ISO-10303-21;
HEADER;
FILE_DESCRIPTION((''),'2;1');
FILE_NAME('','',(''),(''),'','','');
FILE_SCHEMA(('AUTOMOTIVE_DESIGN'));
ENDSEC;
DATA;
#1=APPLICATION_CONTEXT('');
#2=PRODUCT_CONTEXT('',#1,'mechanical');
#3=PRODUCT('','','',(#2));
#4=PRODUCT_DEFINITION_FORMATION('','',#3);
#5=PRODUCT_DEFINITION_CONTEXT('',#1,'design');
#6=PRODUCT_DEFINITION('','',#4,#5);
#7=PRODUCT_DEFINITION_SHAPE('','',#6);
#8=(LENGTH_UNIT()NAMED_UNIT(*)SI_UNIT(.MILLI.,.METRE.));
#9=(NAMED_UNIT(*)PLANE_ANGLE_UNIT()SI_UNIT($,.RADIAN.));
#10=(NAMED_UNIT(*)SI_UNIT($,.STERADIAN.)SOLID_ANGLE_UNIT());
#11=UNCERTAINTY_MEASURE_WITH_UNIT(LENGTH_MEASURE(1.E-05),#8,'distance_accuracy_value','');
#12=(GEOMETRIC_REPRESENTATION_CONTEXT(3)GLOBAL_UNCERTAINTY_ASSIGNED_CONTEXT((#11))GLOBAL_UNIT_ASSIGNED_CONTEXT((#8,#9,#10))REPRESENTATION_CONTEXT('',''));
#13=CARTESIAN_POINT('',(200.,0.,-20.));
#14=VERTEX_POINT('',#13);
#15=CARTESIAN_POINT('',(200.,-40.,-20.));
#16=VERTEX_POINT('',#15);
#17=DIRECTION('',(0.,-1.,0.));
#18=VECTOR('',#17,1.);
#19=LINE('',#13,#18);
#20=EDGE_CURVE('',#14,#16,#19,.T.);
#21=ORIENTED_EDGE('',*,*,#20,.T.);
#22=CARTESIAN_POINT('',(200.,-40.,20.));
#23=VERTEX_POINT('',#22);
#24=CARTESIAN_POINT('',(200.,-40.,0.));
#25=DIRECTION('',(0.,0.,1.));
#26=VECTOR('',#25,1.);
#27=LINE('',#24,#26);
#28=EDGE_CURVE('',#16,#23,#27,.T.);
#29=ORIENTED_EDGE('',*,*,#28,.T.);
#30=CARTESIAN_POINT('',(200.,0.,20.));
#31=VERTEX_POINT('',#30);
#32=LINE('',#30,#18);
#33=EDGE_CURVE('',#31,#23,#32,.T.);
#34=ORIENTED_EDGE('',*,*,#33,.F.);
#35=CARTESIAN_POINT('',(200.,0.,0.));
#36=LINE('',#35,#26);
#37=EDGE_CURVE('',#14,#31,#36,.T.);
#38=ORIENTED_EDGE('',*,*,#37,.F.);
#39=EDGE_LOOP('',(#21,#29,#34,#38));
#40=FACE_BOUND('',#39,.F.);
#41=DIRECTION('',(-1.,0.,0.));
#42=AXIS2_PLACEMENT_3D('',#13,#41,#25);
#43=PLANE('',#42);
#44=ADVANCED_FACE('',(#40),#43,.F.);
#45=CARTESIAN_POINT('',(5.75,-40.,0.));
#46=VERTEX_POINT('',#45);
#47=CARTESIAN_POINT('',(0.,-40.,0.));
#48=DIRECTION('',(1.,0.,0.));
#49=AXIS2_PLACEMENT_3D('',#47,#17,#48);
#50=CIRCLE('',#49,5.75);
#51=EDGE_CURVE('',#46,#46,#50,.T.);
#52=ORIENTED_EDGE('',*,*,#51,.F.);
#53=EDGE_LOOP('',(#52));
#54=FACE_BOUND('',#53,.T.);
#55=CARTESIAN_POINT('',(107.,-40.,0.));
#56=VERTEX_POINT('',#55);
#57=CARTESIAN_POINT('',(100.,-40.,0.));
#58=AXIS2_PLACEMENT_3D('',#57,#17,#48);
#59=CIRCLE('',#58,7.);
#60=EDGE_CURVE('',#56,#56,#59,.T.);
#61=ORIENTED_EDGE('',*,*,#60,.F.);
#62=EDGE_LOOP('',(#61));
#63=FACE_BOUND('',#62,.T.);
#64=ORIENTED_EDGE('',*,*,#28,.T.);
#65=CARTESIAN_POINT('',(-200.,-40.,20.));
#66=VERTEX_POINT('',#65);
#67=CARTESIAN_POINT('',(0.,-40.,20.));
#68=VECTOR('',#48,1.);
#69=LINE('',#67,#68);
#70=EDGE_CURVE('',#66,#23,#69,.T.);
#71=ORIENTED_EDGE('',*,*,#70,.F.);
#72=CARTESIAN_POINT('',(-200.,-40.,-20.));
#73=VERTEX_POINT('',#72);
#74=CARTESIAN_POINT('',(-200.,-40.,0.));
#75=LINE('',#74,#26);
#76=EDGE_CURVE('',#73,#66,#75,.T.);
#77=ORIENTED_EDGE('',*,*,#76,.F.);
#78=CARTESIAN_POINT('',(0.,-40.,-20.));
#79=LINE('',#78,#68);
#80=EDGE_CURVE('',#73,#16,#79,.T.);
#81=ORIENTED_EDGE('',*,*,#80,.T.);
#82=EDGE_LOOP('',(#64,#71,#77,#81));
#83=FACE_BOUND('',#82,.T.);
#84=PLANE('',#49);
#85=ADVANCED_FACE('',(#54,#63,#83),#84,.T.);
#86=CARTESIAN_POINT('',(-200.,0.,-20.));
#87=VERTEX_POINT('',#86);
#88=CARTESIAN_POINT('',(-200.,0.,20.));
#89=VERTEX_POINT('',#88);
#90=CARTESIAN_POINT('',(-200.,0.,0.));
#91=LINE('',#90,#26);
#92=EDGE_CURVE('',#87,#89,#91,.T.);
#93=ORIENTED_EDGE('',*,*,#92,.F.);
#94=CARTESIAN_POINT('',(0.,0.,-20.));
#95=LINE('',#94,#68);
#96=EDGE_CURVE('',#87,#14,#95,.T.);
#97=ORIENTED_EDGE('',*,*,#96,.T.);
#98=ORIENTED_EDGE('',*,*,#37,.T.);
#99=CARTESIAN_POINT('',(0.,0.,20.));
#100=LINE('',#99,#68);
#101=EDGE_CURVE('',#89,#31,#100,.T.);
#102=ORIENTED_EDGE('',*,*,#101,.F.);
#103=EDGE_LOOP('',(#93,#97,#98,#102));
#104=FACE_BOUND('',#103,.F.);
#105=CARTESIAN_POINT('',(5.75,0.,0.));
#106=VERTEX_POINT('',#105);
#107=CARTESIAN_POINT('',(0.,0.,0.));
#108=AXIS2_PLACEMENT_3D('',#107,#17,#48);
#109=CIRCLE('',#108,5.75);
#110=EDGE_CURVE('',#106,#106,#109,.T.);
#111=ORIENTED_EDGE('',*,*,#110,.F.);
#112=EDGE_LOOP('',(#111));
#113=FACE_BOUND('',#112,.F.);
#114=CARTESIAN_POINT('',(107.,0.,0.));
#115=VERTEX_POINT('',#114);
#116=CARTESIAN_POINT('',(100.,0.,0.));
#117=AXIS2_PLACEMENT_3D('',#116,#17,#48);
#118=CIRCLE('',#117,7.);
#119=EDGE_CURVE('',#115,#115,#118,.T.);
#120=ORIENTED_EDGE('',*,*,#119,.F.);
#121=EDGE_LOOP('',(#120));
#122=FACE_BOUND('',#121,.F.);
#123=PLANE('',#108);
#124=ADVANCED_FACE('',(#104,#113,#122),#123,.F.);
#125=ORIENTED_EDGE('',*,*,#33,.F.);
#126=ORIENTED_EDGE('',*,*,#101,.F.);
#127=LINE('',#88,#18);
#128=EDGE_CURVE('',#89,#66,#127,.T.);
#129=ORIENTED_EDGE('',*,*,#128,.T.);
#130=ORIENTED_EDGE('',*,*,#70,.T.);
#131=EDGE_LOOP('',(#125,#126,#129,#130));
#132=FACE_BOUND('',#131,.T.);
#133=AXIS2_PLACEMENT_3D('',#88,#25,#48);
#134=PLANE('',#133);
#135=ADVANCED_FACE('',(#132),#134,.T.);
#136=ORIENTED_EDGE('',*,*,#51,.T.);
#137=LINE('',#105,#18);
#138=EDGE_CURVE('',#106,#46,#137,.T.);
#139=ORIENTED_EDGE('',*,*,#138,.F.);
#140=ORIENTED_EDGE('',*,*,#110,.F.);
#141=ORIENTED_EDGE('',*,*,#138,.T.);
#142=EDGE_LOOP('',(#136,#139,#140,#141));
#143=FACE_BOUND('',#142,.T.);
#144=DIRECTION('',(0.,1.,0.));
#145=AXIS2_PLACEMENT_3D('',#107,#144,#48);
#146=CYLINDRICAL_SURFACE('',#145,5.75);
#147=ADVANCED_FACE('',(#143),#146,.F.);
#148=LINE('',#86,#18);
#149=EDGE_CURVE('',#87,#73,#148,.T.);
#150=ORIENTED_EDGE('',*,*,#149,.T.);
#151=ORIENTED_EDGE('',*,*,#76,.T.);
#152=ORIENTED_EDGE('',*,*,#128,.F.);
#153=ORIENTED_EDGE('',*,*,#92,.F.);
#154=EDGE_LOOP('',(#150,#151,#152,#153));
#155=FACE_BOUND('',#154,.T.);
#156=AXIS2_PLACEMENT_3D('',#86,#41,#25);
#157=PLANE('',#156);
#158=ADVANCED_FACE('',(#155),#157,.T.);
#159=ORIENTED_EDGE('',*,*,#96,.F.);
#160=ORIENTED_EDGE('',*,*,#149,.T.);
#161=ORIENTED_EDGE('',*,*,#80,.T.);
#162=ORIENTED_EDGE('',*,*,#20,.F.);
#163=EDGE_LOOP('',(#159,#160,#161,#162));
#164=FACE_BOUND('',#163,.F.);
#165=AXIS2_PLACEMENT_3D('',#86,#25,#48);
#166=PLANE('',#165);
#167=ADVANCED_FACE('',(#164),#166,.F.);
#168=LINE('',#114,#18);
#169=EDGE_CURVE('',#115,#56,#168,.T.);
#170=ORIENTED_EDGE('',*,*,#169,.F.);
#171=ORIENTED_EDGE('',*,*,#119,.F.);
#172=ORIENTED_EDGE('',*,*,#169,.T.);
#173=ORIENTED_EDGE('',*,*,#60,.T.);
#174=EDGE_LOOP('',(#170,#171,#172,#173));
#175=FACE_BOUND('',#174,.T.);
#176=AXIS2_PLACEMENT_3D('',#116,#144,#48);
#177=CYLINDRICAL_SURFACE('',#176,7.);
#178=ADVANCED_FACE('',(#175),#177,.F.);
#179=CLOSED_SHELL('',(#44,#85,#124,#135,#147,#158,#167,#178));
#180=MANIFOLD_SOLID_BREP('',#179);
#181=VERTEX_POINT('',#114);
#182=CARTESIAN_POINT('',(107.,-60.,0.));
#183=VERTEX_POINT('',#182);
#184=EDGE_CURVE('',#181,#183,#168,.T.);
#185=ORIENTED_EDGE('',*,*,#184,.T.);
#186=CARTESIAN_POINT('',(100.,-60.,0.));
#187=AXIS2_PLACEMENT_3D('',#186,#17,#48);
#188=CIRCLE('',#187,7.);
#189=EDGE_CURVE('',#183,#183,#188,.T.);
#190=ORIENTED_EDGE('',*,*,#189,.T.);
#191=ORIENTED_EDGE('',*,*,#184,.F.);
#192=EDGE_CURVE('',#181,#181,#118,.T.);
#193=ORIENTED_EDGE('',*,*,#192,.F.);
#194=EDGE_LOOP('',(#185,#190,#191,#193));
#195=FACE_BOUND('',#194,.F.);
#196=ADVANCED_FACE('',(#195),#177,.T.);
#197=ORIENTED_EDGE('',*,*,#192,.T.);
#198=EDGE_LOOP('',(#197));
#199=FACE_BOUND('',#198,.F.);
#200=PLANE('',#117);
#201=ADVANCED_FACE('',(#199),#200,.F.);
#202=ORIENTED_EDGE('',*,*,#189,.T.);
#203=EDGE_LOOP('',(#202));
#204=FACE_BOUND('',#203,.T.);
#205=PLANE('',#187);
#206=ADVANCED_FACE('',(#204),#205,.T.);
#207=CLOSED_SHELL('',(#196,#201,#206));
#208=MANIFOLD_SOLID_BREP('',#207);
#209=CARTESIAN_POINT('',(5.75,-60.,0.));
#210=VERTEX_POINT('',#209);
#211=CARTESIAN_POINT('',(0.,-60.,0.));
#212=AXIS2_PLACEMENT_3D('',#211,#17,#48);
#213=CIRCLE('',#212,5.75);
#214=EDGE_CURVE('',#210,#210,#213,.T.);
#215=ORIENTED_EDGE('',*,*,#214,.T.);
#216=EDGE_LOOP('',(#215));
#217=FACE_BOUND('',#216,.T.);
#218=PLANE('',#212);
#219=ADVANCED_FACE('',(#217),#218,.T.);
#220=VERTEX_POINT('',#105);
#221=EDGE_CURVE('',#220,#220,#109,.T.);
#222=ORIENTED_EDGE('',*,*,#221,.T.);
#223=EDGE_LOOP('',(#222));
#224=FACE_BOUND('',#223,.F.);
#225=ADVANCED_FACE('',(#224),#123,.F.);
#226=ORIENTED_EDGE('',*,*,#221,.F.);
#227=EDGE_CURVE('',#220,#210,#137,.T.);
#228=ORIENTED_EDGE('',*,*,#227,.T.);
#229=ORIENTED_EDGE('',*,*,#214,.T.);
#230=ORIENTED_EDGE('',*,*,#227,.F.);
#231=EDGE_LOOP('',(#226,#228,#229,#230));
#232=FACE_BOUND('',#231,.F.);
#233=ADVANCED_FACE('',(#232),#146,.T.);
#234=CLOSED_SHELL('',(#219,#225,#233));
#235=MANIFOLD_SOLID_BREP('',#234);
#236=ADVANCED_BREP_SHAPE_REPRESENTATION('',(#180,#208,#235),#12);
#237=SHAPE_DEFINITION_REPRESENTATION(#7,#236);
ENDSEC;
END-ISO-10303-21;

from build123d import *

# Parameters (mm, degrees)
F0_R     = 5.75
F0_R_2   = 7
F1_DEPTH = 60
F0_W     = 400
F0_H     = 40
F2_DEPTH = 40


with BuildPart() as f1:
    # F0 (on Front) → F1 (new body)
    with BuildSketch(Plane.XZ):
        Circle(F0_R)
        with Locations((100, 0)):
            Circle(F0_R_2)
    extrude(amount=F1_DEPTH)


with BuildPart() as f2:
    # F0 (on Front) → F2 (new body)
    with BuildSketch(Plane.XZ):
        Rectangle(F0_W, F0_H)
        Circle(F0_R, mode=Mode.SUBTRACT)
        with Locations((100, 0)):
            Circle(F0_R_2, mode=Mode.SUBTRACT)
    extrude(amount=F2_DEPTH)


solid = Compound([f1.part, f2.part])
